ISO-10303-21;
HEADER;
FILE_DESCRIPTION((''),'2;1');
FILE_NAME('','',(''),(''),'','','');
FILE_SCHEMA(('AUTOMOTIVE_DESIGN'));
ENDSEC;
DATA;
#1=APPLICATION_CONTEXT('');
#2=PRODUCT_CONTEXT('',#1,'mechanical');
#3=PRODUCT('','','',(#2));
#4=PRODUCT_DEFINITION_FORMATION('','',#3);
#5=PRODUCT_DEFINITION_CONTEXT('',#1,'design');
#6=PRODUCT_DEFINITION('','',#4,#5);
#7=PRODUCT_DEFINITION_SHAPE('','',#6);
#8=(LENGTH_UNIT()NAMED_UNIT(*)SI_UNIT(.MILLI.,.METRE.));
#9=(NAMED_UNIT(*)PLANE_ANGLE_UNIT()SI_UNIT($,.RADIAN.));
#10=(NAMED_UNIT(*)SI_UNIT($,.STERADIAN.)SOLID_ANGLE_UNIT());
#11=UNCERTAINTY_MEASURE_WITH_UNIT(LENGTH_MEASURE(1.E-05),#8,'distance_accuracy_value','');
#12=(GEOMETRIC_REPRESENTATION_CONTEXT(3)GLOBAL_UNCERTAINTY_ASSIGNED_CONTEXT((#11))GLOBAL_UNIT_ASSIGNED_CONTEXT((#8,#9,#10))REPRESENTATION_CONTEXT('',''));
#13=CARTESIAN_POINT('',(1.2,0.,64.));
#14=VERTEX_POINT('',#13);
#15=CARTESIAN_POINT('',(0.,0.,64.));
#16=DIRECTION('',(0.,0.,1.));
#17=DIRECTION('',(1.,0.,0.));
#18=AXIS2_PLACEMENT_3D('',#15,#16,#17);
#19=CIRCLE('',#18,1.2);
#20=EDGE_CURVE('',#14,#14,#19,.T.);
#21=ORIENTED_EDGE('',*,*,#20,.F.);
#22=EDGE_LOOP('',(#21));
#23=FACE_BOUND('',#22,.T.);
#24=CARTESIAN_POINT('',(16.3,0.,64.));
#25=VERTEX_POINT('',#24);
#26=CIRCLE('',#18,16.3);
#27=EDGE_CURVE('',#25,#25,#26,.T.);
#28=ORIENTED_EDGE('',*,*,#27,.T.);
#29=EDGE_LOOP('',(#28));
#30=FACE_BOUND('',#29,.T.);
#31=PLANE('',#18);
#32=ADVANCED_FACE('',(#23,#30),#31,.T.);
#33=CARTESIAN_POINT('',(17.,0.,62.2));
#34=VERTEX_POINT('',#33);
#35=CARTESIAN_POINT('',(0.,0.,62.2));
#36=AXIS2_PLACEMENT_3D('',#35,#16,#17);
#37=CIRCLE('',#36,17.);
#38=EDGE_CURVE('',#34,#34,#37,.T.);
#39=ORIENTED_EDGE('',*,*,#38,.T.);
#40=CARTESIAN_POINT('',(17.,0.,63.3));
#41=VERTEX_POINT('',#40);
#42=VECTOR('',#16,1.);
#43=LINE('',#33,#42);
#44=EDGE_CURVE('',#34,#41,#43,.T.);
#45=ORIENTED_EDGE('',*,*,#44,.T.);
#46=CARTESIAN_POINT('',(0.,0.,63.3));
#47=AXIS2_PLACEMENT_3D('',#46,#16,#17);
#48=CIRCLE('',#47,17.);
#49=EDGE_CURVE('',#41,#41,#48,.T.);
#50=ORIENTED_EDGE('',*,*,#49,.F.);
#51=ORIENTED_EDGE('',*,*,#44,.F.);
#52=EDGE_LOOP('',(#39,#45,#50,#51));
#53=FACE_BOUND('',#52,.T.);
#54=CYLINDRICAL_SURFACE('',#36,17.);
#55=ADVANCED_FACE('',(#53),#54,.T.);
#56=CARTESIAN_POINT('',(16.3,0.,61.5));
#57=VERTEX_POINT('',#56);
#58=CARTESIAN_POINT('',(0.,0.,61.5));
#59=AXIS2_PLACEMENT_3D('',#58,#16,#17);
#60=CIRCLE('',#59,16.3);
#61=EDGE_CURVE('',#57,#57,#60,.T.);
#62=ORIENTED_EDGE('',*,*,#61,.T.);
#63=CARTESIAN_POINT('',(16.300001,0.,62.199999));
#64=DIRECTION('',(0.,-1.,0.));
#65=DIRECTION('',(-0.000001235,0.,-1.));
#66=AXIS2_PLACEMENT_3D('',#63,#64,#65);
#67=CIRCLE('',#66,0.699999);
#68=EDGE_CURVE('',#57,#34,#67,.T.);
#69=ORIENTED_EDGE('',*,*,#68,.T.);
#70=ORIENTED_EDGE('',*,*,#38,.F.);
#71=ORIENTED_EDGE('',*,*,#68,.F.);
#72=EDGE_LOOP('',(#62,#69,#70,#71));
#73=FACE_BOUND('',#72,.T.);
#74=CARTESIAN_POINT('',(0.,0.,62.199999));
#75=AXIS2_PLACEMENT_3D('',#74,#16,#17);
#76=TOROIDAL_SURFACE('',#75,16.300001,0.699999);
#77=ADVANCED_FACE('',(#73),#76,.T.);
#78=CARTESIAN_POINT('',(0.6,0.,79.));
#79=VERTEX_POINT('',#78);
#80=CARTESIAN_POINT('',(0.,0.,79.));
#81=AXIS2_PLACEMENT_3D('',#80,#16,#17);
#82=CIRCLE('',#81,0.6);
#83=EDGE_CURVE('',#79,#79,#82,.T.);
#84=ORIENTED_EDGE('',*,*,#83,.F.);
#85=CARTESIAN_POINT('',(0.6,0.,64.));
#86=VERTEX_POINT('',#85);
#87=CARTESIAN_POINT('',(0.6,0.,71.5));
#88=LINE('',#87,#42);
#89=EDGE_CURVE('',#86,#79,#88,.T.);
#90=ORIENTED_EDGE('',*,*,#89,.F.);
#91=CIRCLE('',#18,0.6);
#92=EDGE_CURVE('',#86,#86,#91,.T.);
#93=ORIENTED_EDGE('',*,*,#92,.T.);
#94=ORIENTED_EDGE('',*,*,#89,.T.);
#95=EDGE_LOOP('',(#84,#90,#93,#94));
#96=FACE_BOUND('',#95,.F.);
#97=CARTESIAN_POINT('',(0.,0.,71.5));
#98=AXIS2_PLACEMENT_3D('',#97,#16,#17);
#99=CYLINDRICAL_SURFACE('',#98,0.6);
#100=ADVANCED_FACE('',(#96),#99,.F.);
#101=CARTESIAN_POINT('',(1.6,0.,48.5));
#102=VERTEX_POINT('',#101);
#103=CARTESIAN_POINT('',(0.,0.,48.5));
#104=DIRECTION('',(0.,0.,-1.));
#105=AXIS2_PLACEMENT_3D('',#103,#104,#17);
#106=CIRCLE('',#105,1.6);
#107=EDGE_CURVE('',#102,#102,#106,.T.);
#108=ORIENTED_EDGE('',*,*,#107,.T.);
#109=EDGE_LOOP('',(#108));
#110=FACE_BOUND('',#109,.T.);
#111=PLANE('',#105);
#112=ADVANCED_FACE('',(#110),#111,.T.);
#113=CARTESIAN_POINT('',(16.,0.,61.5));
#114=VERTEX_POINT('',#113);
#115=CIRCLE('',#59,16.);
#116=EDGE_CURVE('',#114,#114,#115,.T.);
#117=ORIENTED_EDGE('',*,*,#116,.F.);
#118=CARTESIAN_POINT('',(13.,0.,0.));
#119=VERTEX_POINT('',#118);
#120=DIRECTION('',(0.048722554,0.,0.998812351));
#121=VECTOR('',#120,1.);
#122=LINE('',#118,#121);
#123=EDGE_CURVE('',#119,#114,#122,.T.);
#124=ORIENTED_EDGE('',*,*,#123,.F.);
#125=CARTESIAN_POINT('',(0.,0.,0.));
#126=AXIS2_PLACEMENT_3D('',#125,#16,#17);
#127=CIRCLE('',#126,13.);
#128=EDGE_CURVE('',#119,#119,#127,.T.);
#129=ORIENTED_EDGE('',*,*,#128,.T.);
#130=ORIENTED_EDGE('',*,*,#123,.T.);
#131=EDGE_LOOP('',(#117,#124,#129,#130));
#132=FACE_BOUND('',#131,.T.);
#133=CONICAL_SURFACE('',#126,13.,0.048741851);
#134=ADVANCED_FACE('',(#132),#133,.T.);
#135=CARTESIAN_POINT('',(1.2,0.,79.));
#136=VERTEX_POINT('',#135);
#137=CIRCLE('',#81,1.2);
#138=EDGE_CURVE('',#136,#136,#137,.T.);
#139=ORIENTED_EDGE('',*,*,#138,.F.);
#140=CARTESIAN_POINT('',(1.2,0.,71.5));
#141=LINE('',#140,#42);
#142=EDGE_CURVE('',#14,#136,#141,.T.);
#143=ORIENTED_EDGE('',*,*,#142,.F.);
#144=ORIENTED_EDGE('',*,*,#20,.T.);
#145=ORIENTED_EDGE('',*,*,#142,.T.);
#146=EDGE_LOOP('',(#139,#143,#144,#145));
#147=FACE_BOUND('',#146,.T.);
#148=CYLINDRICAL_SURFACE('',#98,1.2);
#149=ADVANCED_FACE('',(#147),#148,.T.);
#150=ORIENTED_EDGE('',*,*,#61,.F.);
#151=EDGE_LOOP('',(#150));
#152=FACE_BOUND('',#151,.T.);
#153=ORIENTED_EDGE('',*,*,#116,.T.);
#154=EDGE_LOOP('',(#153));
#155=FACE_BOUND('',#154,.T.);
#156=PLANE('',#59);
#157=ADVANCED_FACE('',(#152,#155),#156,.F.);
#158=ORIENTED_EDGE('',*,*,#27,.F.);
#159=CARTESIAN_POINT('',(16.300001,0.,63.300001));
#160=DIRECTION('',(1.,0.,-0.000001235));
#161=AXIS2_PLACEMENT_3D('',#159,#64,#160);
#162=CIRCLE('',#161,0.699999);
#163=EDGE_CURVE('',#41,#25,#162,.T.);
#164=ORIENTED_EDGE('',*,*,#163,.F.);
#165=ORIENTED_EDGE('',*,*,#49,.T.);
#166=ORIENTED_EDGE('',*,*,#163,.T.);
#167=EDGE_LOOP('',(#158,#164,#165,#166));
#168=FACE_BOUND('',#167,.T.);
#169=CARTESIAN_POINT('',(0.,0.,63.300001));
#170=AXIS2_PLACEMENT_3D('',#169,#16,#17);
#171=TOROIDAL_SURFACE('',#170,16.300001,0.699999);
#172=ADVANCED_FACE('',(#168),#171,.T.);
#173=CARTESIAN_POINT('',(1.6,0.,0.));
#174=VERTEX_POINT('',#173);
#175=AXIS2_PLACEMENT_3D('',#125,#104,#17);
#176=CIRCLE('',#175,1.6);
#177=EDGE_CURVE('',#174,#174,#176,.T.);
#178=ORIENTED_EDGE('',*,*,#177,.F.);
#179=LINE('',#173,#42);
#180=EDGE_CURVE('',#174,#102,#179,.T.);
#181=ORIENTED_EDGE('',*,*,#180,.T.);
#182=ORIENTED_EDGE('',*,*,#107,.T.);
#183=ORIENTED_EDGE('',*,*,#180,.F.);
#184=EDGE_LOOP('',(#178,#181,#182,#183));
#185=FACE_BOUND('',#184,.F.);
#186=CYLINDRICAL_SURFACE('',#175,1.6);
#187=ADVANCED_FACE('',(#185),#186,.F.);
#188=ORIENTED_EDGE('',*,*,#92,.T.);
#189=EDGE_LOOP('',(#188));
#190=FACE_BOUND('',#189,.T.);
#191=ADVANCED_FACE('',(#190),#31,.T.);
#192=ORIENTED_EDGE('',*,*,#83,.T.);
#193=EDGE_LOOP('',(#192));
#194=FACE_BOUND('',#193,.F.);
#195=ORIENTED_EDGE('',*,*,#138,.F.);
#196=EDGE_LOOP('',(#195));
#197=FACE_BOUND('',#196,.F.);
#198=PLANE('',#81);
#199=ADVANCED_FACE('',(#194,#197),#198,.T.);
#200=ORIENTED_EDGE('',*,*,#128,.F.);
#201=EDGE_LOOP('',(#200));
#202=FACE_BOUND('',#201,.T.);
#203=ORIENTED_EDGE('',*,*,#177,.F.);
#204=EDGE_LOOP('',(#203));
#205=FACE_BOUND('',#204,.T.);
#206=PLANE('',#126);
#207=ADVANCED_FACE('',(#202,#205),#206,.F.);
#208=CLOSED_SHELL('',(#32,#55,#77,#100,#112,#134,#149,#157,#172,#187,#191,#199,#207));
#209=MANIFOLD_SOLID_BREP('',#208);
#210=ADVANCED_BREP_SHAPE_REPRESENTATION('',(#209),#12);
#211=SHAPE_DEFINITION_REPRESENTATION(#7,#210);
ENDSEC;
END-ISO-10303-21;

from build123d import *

# Parameters (mm, degrees)
F0_W     = 0.6
F0_H     = 15
F2_R     = 1.6
F3_DEPTH = 48.5


with BuildPart() as f1:
    # F0 (on Front) → F1 (revolve)
    with BuildSketch(Plane.XZ):
        with Locations((0.9, 71.5)):
            Rectangle(F0_W, F0_H)
        with BuildLine():
            Line((0, 64), (0, 61.5))
            Line((0, 61.5), (16, 61.5))
            Line((16, 61.5), (16.3, 61.5))
            ThreePointArc((16.3, 61.5), (16.794975, 61.705025), (17, 62.2))
            Line((17, 62.2), (17, 63.3))
            ThreePointArc((17, 63.3), (16.794975, 63.794975), (16.3, 64))
            Line((16.3, 64), (1.2, 64))
            Line((1.2, 64), (0.6, 64))
            Line((0.6, 64), (0, 64))
        make_face()
        Polygon((0, 61.5), (0, 0), (13, 0), (16, 61.5), align=None)
    revolve(axis=Axis((0, 0, 71.5), (0, 0, 1)))

    # F2 (on face) → F3 (cut)
    with BuildSketch(Plane(origin=(0, 0, 0), x_dir=(1, 0, 0), z_dir=(0, 0, -1))):
        Circle(F2_R)
    extrude(amount=-F3_DEPTH, mode=Mode.SUBTRACT)


solid = f1.part
